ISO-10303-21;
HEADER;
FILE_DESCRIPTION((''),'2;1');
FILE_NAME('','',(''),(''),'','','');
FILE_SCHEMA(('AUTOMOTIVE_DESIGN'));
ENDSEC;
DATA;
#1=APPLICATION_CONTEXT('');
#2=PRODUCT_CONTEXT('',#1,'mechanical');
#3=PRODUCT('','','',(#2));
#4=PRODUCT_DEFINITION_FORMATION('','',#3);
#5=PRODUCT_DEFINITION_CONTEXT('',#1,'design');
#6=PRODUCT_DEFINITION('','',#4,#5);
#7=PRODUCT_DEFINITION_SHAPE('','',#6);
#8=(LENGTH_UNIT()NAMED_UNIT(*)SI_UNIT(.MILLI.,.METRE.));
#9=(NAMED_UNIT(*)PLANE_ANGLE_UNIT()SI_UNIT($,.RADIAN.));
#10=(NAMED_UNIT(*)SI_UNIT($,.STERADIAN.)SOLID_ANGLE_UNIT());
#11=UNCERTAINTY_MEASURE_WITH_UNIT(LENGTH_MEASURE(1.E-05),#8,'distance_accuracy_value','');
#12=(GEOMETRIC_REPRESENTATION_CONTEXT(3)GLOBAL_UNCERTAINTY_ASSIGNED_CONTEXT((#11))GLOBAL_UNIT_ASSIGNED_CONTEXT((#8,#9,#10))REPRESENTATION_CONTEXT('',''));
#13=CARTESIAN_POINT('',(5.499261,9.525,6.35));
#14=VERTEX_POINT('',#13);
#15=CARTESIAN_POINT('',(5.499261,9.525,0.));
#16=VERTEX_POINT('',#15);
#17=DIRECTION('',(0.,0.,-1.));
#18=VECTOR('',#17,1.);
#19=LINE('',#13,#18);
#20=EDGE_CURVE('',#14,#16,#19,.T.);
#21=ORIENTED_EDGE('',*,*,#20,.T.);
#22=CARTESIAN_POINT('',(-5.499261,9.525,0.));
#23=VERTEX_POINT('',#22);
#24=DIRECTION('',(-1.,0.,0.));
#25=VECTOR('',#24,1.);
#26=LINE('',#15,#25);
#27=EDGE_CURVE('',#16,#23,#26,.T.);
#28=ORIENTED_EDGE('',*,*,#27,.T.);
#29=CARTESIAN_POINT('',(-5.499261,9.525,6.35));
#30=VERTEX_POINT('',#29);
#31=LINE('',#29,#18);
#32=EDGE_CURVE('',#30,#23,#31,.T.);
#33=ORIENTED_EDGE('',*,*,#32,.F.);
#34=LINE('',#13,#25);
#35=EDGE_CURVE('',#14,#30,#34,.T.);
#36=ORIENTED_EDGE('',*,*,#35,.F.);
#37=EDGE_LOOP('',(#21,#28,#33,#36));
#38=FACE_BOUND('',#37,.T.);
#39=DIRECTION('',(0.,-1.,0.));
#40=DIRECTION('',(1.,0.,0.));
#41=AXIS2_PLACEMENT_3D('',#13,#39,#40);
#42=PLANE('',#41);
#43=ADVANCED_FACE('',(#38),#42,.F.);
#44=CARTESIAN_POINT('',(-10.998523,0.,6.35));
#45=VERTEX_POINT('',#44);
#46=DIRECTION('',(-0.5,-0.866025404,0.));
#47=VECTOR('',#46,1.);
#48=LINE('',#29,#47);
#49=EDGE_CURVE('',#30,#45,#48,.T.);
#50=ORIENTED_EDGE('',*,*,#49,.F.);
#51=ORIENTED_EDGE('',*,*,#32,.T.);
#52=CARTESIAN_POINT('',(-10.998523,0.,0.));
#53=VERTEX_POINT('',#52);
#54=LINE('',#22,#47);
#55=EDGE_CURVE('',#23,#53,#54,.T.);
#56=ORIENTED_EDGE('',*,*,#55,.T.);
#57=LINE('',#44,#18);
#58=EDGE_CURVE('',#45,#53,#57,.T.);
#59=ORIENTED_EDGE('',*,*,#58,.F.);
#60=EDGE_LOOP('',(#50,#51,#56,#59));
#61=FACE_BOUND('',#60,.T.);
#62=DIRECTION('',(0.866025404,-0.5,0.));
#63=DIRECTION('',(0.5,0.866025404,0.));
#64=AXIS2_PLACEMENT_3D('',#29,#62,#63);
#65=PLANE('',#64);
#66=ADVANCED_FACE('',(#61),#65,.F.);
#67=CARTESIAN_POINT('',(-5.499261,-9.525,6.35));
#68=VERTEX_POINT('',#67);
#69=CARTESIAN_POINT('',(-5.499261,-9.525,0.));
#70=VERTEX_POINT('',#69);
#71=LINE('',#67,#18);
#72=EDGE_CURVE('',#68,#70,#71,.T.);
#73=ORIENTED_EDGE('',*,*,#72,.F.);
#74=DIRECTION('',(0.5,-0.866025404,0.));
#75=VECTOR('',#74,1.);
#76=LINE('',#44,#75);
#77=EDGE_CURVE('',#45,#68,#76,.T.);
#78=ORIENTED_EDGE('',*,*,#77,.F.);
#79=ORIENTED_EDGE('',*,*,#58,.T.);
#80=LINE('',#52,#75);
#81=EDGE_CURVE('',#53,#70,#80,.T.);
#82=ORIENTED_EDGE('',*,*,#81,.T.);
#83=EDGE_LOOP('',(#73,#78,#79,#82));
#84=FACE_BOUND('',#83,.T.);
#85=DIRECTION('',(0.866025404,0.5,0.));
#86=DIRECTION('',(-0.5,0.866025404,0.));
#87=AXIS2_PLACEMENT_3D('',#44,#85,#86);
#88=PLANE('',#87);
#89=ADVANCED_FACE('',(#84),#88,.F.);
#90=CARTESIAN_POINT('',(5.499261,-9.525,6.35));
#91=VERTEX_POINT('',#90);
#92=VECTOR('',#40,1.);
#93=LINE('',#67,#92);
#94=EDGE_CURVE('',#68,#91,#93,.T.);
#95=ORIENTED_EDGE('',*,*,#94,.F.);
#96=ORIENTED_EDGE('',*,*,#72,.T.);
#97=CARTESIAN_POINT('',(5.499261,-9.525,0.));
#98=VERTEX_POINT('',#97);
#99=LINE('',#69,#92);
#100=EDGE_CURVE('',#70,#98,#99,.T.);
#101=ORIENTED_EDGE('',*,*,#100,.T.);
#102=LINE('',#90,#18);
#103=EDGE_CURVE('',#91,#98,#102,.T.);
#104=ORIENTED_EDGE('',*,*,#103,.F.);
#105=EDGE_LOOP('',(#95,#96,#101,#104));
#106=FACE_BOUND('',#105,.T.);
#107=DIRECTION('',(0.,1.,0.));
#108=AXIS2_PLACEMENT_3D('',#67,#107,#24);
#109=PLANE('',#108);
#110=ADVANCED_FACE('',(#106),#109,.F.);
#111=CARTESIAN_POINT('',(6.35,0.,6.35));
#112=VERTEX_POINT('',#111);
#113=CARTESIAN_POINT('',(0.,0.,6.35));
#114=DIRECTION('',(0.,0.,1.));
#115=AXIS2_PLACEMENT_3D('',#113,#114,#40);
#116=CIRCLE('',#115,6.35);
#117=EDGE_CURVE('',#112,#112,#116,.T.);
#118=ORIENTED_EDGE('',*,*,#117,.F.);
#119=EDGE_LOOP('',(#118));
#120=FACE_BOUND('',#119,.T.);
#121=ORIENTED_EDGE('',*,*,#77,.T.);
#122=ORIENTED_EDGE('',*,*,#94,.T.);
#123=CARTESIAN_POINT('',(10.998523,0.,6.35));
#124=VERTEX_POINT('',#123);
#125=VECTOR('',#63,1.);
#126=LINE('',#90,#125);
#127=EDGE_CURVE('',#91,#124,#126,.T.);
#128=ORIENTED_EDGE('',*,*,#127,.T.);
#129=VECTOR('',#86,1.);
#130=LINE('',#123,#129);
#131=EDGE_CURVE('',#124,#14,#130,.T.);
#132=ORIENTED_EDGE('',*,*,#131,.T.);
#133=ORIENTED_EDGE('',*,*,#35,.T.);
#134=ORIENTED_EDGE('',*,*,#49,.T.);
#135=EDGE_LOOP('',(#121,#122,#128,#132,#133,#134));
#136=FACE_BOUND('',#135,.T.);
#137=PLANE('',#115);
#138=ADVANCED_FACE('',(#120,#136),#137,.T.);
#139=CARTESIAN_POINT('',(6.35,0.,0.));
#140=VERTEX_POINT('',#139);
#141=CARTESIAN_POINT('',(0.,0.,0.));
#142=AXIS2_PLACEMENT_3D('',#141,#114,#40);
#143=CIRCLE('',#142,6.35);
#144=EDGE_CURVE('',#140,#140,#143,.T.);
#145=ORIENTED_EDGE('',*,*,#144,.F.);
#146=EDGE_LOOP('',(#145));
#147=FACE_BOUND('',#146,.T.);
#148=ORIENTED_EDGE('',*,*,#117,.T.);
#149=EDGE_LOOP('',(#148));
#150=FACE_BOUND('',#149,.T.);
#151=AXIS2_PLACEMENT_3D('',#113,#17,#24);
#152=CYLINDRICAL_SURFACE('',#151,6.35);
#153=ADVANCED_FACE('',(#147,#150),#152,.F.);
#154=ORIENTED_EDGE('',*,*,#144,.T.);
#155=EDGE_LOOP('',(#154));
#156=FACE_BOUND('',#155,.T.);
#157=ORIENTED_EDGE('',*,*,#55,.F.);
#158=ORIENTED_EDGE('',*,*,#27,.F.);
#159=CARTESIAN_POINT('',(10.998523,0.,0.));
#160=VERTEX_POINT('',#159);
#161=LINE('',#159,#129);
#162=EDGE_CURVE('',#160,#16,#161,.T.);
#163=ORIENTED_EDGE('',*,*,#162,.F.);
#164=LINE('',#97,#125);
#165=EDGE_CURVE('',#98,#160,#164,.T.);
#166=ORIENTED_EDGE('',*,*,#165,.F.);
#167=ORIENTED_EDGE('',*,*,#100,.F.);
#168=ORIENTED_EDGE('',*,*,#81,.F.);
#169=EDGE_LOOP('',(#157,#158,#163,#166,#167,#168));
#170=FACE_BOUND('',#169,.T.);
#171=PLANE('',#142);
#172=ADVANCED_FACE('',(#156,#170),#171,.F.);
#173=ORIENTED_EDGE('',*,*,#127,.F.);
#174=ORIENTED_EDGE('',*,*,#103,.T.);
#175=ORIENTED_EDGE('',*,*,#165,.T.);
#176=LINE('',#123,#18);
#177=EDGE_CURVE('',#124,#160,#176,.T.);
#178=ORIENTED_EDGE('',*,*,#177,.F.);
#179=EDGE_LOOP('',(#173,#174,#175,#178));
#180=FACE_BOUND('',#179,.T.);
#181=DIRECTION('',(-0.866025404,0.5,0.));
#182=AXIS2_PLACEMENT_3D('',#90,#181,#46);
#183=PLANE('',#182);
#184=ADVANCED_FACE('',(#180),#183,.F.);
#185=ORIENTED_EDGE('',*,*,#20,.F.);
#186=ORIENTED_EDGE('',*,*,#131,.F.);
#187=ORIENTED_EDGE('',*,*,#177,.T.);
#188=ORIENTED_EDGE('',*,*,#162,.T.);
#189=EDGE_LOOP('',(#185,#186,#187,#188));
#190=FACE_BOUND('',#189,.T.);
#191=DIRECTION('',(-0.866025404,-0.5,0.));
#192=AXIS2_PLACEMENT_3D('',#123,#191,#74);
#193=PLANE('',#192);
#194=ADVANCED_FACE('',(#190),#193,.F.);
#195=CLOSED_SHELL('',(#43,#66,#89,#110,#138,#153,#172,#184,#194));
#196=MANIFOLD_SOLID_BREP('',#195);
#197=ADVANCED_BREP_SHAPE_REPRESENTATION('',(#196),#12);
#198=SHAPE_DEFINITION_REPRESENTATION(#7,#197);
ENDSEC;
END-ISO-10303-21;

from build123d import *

# Parameters (mm, degrees)
SKETCH1_R           = 6.35
BOSS_EXTRUDE1_DEPTH = 6.35


with BuildPart() as part:
    # Sketch1 → Boss-Extrude1 (new body)
    with BuildSketch(Plane.XY):
        Polygon((5.499261314, -9.525), (10.998522628, 0), (5.499261314, 9.525), (-5.499261314, 9.525), (-10.998522628, 0), (-5.499261314, -9.525), align=None)
        Circle(SKETCH1_R, mode=Mode.SUBTRACT)
    extrude(amount=BOSS_EXTRUDE1_DEPTH)


solid = part.part
